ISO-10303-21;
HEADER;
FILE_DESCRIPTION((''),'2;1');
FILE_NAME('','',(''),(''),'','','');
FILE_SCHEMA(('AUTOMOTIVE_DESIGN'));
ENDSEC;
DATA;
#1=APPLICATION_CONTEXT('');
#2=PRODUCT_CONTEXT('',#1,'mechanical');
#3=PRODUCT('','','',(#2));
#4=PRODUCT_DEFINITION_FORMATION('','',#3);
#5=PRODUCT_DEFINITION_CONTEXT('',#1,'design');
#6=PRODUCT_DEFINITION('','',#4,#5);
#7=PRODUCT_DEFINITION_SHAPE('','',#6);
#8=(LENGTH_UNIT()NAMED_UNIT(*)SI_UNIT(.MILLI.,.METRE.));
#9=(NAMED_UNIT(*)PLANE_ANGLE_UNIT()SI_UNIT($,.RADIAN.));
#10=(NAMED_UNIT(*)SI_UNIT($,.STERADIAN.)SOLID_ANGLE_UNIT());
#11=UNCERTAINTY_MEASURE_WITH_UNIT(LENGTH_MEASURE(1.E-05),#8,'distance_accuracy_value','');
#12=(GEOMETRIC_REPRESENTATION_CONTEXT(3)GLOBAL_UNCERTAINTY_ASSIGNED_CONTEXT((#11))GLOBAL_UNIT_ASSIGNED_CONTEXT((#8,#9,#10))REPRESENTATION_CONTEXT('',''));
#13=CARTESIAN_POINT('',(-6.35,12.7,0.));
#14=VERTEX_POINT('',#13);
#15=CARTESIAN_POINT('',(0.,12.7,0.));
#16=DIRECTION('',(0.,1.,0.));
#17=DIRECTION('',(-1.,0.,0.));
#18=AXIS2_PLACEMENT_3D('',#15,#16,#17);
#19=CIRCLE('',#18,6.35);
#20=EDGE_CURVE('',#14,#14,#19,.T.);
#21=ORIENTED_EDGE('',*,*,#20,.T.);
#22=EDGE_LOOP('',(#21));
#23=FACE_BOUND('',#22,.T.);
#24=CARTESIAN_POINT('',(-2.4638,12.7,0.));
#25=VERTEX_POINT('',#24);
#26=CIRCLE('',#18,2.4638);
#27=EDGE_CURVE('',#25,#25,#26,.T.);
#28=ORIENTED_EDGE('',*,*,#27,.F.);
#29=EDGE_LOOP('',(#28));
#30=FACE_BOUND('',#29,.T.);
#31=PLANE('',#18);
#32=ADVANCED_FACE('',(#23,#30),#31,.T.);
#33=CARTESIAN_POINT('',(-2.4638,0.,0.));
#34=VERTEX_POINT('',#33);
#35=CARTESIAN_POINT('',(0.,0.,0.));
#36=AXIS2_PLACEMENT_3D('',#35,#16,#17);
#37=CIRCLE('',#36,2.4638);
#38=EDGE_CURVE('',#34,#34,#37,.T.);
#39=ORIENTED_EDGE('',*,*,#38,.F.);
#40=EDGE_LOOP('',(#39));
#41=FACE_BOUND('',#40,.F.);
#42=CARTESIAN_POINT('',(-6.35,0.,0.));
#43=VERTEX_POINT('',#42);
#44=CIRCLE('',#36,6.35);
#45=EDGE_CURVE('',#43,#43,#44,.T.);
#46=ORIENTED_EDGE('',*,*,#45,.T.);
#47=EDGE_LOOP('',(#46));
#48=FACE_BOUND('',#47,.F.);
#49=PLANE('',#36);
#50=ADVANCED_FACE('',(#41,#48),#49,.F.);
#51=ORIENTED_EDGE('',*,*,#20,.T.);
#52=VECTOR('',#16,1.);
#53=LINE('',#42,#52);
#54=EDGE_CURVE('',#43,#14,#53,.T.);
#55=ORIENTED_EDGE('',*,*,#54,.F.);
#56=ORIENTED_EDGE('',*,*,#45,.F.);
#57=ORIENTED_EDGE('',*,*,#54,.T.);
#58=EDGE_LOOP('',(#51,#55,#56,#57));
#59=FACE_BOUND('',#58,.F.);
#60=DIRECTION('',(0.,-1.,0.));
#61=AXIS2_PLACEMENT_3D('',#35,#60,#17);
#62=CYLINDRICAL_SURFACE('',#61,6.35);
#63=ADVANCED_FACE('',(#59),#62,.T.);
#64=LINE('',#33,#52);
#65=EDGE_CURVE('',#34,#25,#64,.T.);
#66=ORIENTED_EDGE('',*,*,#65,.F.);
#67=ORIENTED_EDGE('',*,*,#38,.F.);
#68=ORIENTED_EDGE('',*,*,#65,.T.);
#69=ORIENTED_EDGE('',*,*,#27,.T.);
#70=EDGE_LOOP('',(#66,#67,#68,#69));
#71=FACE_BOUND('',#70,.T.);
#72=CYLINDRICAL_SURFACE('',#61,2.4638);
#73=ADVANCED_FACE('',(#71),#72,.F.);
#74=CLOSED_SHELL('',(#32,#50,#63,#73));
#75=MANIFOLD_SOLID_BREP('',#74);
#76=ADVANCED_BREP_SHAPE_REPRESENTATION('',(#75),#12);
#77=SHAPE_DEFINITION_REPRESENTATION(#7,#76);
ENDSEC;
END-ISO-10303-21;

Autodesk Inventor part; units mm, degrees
ref_plane "YZ Plane" through (0, 0, 0) normal (1, 0, 0) x (0, 1, 0)
ref_plane "XZ Plane" through (0, 0, 0) normal (0, 1, 0) x (-1, 0, 0)
ref_plane "XY Plane" through (0, 0, 0) normal (0, 0, 1) x (1, 0, 0)
sketch "Sketch1" plane through (0, 0, 0) normal (0, 1, 0) x (-1, 0, 0)
  circle A0 centre (0, 0) radius 6.35
  circle A1 centre (0, 0) radius 2.4638
  dimension "d0" = 12.7
  dimension "d1" = 4.9276
extrude "Extrusion1" add sketch "Sketch1" along normal blind 12.7
properties part number "0.5 Inch Spacer" material "Glass"
